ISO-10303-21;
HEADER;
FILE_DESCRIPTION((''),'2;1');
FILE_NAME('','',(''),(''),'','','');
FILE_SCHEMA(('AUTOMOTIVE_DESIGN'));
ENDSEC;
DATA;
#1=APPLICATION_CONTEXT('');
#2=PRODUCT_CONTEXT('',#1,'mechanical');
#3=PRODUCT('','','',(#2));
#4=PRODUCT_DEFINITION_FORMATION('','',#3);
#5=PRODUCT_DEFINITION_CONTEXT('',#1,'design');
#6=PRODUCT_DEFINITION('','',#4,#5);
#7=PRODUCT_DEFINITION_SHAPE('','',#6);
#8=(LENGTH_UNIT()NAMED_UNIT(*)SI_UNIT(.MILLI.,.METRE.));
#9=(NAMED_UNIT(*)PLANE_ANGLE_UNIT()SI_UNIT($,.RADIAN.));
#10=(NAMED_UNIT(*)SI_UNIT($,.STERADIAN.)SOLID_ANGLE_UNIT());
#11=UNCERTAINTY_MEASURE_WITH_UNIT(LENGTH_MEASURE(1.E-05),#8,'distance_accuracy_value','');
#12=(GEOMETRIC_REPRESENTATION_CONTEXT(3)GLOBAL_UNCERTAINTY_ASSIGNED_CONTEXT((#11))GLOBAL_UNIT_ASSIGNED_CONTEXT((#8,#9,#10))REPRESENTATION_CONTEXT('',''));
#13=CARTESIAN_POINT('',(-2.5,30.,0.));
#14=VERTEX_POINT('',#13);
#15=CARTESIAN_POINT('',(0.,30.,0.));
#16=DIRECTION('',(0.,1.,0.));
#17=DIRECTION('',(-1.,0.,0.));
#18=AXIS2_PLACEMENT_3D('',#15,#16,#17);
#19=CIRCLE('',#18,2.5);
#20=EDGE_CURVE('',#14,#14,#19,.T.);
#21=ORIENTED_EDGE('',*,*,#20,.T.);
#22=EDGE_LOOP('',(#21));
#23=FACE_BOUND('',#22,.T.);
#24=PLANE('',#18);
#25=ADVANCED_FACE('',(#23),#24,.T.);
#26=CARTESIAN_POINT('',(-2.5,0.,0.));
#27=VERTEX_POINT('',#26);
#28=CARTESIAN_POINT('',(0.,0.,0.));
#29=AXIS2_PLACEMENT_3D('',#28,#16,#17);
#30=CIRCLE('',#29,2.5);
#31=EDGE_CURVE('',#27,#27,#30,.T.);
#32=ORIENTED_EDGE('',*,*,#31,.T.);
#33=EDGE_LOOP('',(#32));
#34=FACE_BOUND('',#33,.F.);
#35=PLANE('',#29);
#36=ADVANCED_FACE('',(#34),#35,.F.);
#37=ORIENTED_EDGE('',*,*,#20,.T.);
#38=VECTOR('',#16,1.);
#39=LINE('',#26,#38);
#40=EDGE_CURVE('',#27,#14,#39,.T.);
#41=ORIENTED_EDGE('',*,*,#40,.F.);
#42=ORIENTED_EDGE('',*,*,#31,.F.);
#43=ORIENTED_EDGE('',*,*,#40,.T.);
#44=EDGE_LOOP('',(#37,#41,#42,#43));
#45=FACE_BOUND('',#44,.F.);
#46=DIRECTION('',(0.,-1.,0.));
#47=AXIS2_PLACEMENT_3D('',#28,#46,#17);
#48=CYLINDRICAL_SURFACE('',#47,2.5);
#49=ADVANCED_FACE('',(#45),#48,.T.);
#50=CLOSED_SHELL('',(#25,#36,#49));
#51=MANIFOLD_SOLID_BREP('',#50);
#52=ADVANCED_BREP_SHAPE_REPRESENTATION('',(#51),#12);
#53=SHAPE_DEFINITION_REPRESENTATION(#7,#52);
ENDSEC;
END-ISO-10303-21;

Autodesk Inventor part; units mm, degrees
ref_plane "YZ Plane" through (0, 0, 0) normal (1, 0, 0) x (0, 1, 0)
ref_plane "XZ Plane" through (0, 0, 0) normal (0, 1, 0) x (-1, 0, 0)
ref_plane "XY Plane" through (0, 0, 0) normal (0, 0, 1) x (1, 0, 0)
sketch "Sketch1" plane through (0, 0, 0) normal (0, 1, 0) x (-1, 0, 0)
  circle A0 centre (0, 0) radius 2.5
  dimension "d0" = 5
extrude "Extrusion1" add sketch "Sketch1" along normal blind 30
properties part number "pin"
